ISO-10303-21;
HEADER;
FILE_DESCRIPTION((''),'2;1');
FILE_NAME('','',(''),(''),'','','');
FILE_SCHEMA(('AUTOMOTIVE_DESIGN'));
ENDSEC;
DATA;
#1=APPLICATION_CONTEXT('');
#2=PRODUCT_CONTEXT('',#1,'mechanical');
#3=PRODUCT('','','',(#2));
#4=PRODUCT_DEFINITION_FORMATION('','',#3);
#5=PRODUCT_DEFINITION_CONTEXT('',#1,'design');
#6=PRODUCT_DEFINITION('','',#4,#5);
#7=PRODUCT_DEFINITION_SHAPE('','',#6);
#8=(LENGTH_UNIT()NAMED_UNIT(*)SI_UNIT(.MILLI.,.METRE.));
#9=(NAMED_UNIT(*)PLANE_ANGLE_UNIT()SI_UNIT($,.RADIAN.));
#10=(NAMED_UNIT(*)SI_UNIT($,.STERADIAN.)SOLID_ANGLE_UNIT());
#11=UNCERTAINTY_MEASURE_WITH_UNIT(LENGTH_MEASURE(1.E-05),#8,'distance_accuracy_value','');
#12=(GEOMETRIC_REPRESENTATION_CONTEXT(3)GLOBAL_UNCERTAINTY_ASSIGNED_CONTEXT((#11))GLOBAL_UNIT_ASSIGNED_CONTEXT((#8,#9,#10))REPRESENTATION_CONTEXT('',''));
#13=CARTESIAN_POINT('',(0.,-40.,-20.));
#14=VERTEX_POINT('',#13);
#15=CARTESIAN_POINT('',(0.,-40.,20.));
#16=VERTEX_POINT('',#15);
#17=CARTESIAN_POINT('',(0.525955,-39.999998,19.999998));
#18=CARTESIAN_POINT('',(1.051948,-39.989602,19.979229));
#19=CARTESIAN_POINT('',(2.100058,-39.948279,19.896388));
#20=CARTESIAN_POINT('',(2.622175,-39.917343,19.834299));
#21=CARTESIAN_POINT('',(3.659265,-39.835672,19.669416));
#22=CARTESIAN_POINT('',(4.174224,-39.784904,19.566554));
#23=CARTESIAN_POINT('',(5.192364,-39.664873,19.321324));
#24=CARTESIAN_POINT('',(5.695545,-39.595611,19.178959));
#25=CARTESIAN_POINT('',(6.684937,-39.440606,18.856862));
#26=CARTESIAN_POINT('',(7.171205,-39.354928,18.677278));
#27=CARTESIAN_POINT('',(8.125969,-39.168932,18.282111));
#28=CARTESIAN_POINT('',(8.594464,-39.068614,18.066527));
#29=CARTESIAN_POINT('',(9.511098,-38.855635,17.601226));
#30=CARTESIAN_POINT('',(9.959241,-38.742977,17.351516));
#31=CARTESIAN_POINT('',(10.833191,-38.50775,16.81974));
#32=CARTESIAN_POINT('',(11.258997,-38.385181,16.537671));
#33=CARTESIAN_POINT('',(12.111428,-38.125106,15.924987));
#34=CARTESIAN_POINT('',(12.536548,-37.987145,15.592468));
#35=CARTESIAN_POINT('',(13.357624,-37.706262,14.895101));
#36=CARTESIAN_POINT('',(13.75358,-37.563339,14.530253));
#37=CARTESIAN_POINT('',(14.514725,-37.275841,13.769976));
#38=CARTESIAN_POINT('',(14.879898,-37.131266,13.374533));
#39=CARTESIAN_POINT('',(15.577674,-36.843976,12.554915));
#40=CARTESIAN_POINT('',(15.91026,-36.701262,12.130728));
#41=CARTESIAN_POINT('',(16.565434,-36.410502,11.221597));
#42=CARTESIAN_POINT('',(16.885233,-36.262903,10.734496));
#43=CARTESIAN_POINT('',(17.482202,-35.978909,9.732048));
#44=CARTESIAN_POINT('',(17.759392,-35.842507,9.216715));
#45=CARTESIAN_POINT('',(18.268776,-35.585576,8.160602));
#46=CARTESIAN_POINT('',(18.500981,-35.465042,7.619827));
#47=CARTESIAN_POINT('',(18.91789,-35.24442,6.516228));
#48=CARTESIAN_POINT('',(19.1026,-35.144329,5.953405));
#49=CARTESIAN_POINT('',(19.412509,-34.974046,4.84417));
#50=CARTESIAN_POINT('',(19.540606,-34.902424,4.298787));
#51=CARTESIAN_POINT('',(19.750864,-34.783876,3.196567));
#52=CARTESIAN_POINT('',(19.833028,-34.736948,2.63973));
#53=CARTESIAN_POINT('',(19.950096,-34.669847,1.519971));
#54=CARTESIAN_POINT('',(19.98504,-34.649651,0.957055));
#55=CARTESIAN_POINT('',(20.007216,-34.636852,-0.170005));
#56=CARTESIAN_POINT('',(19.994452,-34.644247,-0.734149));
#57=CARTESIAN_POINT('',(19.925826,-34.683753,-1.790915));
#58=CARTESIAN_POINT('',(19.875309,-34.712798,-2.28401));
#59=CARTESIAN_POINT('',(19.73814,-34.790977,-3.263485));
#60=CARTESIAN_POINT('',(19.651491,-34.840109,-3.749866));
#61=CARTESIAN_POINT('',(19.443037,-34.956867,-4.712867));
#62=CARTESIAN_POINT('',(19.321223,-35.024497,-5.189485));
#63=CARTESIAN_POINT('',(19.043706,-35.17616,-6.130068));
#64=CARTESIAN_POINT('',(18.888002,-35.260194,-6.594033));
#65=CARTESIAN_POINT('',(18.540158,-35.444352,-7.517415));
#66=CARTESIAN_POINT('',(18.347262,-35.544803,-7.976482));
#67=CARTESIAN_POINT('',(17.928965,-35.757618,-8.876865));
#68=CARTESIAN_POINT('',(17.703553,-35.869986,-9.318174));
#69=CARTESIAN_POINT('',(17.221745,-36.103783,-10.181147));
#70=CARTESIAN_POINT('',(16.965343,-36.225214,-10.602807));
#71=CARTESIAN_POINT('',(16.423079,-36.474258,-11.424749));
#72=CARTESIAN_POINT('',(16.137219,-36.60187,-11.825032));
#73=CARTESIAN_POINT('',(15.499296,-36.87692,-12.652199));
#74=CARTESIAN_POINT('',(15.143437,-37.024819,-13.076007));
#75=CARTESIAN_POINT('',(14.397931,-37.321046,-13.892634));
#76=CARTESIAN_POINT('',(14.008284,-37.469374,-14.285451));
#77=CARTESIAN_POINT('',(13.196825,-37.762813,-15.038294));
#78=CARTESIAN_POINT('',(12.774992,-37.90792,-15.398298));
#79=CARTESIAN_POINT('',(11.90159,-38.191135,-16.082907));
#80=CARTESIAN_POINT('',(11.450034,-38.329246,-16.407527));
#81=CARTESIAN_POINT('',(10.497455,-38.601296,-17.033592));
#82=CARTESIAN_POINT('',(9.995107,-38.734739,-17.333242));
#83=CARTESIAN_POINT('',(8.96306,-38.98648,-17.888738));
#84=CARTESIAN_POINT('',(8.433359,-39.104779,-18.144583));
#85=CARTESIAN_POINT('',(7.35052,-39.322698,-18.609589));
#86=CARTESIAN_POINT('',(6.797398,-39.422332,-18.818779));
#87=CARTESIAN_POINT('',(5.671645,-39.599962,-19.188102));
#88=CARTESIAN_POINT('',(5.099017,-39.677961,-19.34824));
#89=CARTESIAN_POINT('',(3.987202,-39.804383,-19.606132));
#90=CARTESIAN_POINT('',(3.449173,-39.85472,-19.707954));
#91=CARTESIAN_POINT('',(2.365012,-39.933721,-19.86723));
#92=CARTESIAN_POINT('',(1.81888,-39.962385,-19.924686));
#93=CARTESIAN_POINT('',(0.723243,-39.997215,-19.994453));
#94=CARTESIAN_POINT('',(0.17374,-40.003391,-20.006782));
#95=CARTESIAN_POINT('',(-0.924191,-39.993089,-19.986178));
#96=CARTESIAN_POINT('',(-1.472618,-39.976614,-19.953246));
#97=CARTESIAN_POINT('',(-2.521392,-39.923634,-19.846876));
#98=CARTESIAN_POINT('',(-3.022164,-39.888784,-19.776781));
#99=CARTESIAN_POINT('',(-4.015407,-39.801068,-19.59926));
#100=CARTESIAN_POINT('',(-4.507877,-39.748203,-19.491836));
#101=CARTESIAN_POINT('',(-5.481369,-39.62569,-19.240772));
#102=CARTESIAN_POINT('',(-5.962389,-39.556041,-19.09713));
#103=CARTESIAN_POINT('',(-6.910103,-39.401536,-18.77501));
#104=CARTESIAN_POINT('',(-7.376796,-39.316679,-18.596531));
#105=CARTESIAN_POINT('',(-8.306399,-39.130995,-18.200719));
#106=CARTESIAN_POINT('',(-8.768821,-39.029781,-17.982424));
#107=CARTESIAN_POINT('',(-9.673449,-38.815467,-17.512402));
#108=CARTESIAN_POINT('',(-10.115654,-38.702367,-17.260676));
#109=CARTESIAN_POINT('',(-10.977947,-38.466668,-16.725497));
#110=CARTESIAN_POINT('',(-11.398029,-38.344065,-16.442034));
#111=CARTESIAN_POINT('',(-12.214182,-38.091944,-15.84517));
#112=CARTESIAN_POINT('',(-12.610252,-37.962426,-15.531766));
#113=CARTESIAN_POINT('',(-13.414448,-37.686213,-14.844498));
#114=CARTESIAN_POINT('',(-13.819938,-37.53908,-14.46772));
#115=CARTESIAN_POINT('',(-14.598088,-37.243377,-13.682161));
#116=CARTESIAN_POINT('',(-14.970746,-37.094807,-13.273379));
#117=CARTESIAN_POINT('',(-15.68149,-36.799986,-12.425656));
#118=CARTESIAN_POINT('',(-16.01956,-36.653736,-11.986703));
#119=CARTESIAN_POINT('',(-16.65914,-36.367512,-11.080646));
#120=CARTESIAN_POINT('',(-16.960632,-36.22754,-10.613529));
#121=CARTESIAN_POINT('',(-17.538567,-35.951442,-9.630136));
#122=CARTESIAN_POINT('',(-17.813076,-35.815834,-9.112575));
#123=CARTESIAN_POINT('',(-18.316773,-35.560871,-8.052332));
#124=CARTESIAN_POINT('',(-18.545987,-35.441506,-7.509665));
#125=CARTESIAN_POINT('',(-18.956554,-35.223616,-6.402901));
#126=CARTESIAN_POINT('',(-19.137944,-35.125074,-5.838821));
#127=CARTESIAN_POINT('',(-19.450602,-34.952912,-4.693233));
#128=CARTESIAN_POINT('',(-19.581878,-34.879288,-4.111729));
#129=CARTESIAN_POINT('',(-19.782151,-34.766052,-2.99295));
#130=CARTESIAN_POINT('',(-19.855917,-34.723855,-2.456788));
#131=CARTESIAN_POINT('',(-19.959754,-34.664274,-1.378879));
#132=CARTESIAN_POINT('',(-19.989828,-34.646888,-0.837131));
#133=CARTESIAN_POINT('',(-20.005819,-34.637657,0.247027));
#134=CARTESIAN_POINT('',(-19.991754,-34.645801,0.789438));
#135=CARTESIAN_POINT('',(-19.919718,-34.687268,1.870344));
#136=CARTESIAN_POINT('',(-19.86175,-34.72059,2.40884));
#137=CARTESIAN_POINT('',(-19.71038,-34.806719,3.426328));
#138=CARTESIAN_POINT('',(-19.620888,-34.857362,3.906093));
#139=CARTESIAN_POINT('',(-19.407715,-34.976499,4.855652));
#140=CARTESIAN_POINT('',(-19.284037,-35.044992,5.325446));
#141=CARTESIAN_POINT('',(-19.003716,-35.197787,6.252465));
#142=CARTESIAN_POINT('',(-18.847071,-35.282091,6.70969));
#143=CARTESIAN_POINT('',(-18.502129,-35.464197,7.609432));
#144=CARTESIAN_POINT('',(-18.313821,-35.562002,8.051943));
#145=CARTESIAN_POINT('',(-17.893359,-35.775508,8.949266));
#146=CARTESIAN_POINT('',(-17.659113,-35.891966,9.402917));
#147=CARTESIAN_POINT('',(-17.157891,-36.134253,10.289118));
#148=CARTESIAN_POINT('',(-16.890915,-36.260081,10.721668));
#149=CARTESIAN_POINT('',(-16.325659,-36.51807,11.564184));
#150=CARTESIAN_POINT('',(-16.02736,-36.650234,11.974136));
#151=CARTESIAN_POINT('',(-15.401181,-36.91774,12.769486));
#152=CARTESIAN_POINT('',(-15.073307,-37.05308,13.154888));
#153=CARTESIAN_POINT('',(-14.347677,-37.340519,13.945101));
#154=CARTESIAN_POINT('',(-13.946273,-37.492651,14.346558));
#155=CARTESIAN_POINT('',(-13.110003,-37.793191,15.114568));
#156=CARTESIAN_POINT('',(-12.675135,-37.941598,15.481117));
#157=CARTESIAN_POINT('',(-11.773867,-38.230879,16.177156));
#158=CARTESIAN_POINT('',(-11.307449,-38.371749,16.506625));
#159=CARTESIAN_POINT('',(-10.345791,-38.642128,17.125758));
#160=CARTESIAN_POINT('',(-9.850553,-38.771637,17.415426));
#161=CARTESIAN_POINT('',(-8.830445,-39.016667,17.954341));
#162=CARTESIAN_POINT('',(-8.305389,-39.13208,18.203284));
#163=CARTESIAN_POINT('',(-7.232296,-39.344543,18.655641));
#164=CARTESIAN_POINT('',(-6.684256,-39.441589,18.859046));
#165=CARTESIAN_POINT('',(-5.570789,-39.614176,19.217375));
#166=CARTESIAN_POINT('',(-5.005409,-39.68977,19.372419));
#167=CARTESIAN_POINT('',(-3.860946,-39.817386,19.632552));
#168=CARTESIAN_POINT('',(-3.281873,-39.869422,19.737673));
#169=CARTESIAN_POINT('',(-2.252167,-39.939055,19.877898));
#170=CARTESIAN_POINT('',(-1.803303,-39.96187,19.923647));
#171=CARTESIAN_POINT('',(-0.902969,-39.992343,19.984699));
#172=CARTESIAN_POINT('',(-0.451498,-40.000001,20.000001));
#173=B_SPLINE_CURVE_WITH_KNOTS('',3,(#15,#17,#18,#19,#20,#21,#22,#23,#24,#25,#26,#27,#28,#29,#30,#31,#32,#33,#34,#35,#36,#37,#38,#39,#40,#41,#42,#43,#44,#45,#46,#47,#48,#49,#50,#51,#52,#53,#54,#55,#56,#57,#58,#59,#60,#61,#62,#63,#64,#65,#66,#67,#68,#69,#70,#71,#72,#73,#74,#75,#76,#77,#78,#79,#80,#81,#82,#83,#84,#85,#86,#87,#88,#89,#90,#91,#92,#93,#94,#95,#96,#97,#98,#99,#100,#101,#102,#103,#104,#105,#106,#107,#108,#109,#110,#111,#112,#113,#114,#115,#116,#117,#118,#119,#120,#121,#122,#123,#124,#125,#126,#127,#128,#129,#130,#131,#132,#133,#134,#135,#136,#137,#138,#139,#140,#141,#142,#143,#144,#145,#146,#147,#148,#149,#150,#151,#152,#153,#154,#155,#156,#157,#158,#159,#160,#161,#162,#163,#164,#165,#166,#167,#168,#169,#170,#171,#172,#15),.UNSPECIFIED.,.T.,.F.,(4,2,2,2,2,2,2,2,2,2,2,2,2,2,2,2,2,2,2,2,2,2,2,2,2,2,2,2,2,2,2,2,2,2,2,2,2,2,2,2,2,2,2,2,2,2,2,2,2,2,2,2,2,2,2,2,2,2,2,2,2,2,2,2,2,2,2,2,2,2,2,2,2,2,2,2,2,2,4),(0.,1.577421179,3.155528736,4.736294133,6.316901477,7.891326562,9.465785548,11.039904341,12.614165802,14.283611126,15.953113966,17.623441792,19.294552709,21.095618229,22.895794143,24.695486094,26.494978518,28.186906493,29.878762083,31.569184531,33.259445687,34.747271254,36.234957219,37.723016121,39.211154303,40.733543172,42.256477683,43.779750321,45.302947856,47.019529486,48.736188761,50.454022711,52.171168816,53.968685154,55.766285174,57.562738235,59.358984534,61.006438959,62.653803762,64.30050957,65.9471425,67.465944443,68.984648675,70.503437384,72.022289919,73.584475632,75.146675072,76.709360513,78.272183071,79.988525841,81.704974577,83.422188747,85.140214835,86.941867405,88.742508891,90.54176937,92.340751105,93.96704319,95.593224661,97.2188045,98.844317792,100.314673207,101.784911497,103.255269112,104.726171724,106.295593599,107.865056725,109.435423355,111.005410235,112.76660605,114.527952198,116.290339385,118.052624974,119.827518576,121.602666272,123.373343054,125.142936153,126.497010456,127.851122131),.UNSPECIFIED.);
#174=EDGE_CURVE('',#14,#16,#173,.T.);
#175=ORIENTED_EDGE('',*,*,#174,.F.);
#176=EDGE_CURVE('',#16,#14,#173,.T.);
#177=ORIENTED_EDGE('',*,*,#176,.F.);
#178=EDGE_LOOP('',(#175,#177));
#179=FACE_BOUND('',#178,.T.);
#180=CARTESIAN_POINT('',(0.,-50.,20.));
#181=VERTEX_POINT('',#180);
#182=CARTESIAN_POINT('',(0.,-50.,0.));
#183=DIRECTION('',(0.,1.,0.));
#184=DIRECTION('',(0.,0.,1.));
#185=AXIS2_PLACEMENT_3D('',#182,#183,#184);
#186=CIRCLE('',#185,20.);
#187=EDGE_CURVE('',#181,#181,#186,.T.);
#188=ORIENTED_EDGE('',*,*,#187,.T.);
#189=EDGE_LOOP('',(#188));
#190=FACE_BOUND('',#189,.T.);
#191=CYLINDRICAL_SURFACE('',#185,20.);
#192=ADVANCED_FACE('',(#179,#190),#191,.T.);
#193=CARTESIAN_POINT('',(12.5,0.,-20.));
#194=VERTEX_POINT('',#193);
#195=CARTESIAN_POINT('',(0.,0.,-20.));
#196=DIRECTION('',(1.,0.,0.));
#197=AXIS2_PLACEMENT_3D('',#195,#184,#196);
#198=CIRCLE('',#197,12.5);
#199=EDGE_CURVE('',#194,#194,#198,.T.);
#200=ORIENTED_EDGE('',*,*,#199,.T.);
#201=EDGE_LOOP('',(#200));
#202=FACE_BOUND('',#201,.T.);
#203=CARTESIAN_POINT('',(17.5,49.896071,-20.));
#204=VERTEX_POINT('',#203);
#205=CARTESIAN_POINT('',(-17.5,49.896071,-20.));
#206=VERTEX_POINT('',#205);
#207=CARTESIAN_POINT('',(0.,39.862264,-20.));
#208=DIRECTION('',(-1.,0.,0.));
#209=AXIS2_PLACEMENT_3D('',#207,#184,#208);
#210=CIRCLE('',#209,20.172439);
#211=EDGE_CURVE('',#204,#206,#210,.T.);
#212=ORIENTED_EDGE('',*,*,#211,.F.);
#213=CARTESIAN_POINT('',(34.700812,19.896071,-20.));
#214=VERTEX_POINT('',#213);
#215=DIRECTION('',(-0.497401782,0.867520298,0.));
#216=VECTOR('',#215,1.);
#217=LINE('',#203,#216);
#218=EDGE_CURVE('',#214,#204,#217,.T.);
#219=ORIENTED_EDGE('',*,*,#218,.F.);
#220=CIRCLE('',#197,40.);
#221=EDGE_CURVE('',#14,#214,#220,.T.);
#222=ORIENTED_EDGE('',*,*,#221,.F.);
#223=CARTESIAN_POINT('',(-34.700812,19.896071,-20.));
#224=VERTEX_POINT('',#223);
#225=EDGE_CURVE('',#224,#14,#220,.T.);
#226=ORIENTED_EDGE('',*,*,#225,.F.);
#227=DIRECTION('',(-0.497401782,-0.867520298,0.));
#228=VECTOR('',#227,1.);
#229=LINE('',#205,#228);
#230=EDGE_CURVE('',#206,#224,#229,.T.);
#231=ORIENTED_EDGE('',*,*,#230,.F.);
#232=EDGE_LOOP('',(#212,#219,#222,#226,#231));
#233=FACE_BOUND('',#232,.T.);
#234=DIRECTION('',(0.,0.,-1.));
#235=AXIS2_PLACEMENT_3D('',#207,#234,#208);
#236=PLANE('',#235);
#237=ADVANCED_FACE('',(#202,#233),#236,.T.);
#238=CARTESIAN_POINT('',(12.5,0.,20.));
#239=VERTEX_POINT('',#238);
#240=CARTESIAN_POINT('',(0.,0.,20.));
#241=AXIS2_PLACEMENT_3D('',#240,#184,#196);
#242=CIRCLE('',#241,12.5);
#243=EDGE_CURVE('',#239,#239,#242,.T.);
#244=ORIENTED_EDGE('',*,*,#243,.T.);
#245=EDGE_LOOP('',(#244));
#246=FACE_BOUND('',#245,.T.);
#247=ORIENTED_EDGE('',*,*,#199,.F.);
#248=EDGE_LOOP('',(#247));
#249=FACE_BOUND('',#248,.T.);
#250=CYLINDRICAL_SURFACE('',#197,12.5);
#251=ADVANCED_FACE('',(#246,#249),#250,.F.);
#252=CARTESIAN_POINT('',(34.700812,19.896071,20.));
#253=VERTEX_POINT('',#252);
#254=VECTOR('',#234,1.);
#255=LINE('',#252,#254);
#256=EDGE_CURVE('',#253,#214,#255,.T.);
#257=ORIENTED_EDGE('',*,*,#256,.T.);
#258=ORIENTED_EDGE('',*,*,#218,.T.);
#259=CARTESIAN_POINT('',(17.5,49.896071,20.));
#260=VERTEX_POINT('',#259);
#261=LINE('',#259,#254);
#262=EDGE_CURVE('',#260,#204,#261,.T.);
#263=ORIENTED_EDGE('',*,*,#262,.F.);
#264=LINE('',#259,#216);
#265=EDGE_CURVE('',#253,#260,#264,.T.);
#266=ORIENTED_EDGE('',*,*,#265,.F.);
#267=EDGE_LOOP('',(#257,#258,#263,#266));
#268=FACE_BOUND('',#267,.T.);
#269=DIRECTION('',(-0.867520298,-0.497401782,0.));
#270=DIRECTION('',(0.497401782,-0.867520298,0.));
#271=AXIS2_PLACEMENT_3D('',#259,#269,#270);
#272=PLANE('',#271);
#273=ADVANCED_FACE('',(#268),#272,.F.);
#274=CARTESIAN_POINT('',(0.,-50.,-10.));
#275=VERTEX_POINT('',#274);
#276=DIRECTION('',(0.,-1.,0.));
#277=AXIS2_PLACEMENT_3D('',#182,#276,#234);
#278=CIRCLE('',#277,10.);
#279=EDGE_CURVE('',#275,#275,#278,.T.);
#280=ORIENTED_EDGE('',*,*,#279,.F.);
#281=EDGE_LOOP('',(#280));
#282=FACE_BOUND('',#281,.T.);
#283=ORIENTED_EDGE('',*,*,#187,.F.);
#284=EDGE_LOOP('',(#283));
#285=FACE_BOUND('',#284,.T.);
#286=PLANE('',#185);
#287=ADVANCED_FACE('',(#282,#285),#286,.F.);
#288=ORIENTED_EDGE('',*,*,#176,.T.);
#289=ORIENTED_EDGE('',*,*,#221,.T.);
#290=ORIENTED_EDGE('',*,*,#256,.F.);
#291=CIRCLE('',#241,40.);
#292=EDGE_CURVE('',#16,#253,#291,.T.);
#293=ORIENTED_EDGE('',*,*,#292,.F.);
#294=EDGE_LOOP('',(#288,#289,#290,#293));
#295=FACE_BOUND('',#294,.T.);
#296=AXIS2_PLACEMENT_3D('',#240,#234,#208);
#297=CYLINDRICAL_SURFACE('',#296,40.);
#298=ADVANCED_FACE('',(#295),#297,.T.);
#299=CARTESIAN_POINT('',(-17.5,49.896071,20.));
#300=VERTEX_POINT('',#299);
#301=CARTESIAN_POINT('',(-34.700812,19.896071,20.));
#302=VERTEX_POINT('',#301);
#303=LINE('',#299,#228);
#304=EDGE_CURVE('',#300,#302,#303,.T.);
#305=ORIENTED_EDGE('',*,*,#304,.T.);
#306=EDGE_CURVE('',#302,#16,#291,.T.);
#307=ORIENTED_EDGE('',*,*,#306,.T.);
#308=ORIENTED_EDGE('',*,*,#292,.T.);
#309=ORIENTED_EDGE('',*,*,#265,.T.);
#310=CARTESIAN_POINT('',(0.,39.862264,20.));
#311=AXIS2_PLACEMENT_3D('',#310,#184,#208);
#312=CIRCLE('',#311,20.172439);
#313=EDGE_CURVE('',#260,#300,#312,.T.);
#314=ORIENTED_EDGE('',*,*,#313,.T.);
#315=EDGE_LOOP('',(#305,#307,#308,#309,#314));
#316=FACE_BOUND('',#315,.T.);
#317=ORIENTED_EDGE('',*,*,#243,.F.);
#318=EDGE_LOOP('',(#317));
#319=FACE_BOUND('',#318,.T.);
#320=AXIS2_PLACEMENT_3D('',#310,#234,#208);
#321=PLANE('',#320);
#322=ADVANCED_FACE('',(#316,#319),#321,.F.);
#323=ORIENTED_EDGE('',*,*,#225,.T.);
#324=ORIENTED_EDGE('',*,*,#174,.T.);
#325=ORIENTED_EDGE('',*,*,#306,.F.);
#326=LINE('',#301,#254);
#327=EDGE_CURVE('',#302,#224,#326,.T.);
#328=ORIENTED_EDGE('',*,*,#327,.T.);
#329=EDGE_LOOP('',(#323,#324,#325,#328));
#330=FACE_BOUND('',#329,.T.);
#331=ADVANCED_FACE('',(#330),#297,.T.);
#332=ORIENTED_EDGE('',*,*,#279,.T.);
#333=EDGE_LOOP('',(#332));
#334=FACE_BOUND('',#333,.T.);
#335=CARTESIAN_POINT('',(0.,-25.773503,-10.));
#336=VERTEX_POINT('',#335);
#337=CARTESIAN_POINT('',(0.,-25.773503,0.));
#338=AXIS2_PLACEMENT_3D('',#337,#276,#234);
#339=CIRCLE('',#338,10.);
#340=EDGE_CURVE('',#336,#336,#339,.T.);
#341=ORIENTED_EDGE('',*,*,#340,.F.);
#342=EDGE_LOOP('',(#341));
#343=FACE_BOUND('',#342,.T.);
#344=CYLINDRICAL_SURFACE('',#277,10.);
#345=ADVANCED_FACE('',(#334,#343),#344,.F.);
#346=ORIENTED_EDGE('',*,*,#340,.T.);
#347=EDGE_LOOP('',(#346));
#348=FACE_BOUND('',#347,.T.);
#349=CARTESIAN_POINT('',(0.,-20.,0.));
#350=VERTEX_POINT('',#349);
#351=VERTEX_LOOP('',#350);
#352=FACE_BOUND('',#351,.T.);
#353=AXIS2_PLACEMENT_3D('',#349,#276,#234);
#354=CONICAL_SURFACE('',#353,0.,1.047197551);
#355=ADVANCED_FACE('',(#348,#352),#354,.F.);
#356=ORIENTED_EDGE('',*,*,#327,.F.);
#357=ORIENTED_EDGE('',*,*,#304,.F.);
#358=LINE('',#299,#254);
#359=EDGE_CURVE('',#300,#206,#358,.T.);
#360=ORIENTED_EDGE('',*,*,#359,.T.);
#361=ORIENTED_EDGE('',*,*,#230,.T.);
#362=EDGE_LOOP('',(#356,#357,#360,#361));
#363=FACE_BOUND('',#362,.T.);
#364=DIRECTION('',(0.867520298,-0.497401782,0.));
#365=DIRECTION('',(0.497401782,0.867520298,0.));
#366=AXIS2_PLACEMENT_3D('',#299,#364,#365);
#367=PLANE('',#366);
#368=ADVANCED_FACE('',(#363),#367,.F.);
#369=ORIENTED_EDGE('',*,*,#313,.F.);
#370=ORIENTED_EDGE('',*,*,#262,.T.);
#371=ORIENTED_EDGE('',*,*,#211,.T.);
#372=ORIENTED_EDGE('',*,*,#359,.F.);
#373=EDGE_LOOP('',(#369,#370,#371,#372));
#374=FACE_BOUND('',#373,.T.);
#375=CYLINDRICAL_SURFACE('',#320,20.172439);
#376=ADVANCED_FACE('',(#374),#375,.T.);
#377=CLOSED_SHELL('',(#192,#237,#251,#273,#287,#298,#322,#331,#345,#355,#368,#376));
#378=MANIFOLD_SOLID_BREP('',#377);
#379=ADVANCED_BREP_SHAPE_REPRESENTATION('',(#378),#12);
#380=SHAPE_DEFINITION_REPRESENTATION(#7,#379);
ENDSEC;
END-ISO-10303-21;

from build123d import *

# Parameters (mm, degrees)
BOSS_EXTRU_1_DEPTH      = 20
ESQUISSE2_R             = 20
BOSS_EXTRU_2_DEPTH      = 50
ESQUISSE3_R             = 12.5
ENL_V_MAT_EXTRU_1_DEPTH = 83.487366196


with BuildPart() as part:
    # Esquisse1 → Boss.-Extru.1 (new, symmetric)
    with BuildSketch(Plane.XY):
        with BuildLine():
            Line((-17.5, 49.896071292), (-34.700811909, 19.896071292))
            ThreePointArc((-34.700811909, 19.896071292), (0, -40), (34.700811909, 19.896071292))
            Line((34.700811909, 19.896071292), (17.5, 49.896071292))
            ThreePointArc((17.5, 49.896071292), (0, 60.034703013), (-17.5, 49.896071292))
        make_face()
    extrude(amount=BOSS_EXTRU_1_DEPTH, both=True)

    # Esquisse2 → Boss.-Extru.2 (add)
    with BuildSketch(Plane(origin=(0, 0, 0), x_dir=(1, 0, 0), z_dir=(0, 1, 0))):
        with Locations(Location((0, 0, 0), (0, 0, 270))):
            Circle(ESQUISSE2_R)
    extrude(amount=-BOSS_EXTRU_2_DEPTH)

    # Esquisse3 → Enlèv. mat.-Extru.1 (cut, through all)
    with BuildSketch(Plane.XY.offset(20)):
        Circle(ESQUISSE3_R)
    extrude(amount=-ENL_V_MAT_EXTRU_1_DEPTH, mode=Mode.SUBTRACT)

    # Esquisse5 → Enlèvement de matière-Révolution1 (revolve, cut)
    with BuildSketch(Plane.XY, mode=Mode.PRIVATE) as enl_vement_de_mati_re_r_volution1_sk:
        Polygon((0, -50), (0, -20), (10, -25.773502692), (10, -50), align=None)
    revolve(enl_vement_de_mati_re_r_volution1_sk.sketch.rotate(Axis((0, -50, 0), (0, 1, 0)), 90), axis=Axis((0, -50, 0), (0, 1, 0)), mode=Mode.SUBTRACT)


solid = part.part
